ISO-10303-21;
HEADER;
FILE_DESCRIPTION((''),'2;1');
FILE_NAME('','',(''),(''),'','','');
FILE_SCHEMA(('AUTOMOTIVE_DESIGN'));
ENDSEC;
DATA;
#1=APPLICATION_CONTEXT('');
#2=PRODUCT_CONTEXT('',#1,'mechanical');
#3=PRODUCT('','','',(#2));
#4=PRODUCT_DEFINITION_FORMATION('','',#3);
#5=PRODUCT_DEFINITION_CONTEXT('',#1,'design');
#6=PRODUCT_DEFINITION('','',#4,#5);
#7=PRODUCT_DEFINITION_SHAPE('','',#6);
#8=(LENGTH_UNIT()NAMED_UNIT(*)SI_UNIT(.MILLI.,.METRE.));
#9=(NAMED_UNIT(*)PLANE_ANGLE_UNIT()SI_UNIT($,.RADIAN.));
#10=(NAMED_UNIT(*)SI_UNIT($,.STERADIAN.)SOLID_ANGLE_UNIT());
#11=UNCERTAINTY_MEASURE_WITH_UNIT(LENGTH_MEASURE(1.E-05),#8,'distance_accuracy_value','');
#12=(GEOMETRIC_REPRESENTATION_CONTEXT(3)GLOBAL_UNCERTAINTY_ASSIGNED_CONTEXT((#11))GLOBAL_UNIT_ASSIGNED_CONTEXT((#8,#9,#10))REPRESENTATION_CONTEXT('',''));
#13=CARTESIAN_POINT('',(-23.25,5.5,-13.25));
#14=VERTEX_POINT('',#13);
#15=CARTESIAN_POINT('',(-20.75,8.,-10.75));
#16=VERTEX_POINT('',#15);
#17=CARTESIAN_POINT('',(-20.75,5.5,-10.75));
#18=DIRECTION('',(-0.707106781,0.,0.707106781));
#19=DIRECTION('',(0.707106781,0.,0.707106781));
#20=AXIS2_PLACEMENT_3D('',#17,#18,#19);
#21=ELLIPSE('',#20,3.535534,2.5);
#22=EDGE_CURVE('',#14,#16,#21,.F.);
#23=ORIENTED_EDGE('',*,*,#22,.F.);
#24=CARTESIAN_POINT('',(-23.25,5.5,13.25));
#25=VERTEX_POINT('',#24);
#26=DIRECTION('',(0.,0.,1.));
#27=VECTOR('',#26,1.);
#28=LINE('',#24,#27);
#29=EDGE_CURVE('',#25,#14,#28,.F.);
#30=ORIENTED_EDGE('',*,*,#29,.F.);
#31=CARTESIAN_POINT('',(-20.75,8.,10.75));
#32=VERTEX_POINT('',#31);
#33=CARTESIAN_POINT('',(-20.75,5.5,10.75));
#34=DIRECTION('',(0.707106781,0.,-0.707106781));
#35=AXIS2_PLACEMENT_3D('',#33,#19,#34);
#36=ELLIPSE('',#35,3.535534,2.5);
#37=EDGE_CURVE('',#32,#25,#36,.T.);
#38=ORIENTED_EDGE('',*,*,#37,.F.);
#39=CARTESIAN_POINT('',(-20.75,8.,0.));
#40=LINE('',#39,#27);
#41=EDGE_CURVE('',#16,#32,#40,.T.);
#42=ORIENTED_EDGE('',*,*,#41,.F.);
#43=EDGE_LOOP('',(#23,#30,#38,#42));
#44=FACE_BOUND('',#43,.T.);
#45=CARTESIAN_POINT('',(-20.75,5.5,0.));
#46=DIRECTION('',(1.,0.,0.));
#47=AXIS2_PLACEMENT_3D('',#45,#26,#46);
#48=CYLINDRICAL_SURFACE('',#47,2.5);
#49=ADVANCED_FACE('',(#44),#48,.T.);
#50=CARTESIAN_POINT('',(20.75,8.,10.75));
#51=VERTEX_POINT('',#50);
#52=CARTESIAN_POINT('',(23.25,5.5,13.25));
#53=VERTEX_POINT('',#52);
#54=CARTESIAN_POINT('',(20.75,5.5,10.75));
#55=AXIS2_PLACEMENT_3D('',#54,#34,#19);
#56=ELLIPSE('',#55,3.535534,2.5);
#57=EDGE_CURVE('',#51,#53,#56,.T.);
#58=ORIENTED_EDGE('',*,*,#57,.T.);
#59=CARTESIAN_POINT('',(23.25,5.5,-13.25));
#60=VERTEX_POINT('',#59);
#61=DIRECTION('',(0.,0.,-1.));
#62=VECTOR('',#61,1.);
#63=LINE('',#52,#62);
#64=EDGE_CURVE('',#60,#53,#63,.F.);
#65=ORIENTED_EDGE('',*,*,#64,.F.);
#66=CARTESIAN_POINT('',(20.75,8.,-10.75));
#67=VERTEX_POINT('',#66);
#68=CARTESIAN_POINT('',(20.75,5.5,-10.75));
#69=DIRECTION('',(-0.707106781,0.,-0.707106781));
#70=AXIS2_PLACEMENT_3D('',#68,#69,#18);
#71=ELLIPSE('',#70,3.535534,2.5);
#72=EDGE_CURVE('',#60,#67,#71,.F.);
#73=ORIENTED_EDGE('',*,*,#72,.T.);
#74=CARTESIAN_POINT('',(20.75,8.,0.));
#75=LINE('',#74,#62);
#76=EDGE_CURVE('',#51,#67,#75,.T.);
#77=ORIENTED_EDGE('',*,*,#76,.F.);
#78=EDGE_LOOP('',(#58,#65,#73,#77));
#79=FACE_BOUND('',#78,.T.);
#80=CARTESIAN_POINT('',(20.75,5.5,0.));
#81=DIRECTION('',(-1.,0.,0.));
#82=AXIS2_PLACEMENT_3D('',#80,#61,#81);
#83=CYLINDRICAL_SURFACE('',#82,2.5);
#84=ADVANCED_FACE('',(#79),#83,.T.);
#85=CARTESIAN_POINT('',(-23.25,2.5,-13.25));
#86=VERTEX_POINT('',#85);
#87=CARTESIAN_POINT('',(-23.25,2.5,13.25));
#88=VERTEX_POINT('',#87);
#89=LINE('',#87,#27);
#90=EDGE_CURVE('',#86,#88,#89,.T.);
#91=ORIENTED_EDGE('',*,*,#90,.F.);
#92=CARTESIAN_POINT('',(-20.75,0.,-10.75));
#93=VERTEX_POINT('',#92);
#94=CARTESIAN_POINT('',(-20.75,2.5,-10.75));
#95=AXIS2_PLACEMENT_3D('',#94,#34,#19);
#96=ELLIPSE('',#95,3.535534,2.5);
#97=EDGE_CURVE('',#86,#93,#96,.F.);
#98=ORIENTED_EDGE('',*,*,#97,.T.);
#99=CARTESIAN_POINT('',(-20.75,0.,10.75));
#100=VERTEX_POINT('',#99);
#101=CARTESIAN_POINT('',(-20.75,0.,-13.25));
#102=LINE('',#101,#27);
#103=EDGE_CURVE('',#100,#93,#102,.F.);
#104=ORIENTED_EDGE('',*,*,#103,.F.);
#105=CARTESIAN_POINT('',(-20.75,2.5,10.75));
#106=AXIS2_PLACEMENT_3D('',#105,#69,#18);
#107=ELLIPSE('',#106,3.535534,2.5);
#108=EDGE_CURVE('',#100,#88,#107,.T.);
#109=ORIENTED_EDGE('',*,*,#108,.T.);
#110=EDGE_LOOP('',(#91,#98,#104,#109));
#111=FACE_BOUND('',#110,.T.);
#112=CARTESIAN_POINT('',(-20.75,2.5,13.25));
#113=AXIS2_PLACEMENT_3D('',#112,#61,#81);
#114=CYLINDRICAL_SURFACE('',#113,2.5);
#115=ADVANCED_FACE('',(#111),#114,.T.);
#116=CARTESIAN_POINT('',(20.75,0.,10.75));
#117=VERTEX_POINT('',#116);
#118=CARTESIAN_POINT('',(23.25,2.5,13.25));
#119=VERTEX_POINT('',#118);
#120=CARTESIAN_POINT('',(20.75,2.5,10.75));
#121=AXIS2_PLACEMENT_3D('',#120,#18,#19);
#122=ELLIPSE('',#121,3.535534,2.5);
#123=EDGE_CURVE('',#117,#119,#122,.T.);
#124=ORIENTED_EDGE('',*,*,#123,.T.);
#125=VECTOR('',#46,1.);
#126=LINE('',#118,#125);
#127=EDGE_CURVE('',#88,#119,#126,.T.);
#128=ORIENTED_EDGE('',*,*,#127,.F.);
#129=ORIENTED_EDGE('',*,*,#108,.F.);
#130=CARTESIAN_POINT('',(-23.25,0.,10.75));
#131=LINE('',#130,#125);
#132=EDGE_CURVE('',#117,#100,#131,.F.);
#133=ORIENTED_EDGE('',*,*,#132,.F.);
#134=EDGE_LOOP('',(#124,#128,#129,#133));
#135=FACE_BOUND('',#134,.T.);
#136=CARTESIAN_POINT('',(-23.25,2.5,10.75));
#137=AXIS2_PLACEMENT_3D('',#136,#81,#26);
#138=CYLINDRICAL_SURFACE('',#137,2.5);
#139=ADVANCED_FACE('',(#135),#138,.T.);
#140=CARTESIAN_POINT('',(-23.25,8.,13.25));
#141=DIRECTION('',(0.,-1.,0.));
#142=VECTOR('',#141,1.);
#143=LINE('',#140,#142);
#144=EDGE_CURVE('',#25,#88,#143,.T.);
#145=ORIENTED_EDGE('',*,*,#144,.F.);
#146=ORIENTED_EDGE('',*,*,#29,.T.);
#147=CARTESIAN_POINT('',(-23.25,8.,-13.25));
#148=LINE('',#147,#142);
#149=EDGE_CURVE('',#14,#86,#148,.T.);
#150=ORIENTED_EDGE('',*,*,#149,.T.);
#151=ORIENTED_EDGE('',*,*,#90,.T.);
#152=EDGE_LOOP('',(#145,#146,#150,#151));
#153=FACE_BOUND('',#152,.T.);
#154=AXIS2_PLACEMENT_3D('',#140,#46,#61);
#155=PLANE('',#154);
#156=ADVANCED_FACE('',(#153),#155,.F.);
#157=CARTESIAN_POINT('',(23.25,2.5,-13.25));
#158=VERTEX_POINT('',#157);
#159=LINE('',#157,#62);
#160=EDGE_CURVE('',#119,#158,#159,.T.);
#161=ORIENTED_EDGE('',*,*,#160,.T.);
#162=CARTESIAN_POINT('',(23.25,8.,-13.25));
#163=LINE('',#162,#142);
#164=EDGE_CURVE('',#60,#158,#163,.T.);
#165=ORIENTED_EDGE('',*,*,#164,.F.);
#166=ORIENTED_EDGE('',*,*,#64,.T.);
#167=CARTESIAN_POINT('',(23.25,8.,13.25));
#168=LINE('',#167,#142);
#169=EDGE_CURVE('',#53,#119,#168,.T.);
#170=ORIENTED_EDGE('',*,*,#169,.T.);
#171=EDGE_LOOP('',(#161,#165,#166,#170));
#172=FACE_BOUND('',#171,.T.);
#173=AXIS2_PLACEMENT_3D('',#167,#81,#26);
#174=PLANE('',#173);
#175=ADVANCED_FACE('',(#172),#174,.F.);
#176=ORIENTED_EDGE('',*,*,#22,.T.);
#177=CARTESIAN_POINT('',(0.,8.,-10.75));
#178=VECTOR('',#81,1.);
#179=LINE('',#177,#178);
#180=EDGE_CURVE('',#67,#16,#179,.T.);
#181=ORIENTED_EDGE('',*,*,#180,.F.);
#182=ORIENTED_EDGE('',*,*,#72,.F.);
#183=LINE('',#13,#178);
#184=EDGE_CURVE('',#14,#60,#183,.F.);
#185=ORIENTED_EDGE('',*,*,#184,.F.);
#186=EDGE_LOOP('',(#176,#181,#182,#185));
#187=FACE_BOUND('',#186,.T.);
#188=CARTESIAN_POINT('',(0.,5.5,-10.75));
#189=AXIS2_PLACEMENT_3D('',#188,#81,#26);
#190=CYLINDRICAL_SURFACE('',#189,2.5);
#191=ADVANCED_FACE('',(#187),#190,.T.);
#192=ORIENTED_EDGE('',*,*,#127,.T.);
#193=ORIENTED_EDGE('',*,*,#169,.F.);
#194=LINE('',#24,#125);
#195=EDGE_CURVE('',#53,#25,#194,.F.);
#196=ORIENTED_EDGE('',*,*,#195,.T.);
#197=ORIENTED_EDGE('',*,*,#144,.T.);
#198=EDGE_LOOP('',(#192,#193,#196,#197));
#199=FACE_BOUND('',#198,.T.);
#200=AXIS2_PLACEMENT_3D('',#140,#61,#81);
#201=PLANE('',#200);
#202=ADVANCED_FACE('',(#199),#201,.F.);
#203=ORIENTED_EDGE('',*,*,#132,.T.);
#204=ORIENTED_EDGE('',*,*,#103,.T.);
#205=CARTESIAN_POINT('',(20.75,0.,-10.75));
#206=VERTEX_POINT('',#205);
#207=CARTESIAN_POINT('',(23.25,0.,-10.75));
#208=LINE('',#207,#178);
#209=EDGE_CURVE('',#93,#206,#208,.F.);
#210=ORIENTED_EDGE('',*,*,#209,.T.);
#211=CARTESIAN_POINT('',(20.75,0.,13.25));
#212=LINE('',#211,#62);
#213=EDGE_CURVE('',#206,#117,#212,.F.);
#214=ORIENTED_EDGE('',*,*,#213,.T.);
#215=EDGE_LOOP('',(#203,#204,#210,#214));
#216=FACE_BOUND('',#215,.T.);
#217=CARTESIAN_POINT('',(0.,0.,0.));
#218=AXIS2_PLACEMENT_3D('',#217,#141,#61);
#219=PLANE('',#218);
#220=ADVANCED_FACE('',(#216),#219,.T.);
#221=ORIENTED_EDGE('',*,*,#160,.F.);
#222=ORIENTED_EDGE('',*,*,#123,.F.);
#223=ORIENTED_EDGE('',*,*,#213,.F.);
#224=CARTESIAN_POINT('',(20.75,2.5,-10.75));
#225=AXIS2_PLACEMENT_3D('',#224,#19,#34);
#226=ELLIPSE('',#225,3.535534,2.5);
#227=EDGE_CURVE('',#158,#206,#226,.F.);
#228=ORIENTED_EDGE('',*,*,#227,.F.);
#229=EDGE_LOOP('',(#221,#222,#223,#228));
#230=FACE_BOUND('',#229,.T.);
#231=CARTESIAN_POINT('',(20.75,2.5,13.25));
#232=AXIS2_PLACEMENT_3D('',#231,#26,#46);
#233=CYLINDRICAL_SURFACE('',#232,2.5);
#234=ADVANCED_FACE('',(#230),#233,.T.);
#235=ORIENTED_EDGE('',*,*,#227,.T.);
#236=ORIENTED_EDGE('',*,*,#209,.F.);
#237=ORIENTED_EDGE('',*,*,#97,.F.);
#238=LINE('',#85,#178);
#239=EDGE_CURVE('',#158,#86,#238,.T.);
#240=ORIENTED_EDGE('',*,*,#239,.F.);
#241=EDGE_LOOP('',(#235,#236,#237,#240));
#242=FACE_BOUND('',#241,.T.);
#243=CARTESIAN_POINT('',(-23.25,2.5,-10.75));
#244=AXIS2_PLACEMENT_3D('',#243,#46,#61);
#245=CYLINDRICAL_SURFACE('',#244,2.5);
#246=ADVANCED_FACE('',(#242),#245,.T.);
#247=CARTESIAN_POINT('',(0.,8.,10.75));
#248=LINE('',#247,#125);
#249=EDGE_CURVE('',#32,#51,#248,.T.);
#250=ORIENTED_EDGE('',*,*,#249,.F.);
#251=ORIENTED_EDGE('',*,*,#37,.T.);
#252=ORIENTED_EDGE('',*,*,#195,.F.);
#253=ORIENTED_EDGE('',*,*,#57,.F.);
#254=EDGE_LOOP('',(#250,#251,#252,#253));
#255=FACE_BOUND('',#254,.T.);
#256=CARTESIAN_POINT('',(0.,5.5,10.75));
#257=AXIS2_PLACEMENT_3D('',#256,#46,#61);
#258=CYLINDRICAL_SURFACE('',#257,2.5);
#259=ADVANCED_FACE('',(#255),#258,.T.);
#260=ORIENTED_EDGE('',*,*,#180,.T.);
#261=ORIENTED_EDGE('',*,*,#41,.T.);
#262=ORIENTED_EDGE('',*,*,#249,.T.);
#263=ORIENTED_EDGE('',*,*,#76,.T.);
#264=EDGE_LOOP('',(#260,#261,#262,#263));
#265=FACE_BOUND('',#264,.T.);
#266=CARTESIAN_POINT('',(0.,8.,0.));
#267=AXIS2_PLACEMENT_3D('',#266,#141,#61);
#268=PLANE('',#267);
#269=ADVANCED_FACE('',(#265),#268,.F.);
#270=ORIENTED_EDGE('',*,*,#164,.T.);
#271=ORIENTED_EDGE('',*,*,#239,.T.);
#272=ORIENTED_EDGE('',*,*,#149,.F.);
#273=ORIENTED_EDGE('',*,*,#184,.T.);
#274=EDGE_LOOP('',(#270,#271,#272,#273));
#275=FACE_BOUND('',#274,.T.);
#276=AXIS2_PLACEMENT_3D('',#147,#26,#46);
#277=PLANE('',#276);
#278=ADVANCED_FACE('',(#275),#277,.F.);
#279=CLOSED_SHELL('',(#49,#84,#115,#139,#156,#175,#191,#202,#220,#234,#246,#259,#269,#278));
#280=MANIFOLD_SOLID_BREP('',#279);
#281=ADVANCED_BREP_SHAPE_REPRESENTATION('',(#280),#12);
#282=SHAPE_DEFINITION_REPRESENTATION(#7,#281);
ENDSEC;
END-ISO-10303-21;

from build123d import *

# Parameters (mm, degrees)
SKETCH1_W           = 46.5
SKETCH1_H           = 26.5
BOSS_EXTRUDE1_DEPTH = 8
FILLET1_R           = 2.5


with BuildPart() as part:
    # Sketch1 → Boss-Extrude1 (new body)
    with BuildSketch(Plane(origin=(0, 0, 0), x_dir=(1, 0, 0), z_dir=(0, 1, 0))):
        Rectangle(SKETCH1_W, SKETCH1_H)
    extrude(amount=BOSS_EXTRUDE1_DEPTH)

    # Fillet1
    fillet1_edges = [part.edges().sort_by_distance(p)[0] for p in [
        (-23.25, 8, 0),
        (0, 8, 13.25),
        (23.25, 8, 0),
        (0, 0, 13.25),
        (-23.25, 0, 0),
        (0, 0, -13.25),
        (23.25, 0, 0),
        (0, 8, -13.25),
    ]]
    fillet(fillet1_edges, radius=FILLET1_R)


solid = part.part
